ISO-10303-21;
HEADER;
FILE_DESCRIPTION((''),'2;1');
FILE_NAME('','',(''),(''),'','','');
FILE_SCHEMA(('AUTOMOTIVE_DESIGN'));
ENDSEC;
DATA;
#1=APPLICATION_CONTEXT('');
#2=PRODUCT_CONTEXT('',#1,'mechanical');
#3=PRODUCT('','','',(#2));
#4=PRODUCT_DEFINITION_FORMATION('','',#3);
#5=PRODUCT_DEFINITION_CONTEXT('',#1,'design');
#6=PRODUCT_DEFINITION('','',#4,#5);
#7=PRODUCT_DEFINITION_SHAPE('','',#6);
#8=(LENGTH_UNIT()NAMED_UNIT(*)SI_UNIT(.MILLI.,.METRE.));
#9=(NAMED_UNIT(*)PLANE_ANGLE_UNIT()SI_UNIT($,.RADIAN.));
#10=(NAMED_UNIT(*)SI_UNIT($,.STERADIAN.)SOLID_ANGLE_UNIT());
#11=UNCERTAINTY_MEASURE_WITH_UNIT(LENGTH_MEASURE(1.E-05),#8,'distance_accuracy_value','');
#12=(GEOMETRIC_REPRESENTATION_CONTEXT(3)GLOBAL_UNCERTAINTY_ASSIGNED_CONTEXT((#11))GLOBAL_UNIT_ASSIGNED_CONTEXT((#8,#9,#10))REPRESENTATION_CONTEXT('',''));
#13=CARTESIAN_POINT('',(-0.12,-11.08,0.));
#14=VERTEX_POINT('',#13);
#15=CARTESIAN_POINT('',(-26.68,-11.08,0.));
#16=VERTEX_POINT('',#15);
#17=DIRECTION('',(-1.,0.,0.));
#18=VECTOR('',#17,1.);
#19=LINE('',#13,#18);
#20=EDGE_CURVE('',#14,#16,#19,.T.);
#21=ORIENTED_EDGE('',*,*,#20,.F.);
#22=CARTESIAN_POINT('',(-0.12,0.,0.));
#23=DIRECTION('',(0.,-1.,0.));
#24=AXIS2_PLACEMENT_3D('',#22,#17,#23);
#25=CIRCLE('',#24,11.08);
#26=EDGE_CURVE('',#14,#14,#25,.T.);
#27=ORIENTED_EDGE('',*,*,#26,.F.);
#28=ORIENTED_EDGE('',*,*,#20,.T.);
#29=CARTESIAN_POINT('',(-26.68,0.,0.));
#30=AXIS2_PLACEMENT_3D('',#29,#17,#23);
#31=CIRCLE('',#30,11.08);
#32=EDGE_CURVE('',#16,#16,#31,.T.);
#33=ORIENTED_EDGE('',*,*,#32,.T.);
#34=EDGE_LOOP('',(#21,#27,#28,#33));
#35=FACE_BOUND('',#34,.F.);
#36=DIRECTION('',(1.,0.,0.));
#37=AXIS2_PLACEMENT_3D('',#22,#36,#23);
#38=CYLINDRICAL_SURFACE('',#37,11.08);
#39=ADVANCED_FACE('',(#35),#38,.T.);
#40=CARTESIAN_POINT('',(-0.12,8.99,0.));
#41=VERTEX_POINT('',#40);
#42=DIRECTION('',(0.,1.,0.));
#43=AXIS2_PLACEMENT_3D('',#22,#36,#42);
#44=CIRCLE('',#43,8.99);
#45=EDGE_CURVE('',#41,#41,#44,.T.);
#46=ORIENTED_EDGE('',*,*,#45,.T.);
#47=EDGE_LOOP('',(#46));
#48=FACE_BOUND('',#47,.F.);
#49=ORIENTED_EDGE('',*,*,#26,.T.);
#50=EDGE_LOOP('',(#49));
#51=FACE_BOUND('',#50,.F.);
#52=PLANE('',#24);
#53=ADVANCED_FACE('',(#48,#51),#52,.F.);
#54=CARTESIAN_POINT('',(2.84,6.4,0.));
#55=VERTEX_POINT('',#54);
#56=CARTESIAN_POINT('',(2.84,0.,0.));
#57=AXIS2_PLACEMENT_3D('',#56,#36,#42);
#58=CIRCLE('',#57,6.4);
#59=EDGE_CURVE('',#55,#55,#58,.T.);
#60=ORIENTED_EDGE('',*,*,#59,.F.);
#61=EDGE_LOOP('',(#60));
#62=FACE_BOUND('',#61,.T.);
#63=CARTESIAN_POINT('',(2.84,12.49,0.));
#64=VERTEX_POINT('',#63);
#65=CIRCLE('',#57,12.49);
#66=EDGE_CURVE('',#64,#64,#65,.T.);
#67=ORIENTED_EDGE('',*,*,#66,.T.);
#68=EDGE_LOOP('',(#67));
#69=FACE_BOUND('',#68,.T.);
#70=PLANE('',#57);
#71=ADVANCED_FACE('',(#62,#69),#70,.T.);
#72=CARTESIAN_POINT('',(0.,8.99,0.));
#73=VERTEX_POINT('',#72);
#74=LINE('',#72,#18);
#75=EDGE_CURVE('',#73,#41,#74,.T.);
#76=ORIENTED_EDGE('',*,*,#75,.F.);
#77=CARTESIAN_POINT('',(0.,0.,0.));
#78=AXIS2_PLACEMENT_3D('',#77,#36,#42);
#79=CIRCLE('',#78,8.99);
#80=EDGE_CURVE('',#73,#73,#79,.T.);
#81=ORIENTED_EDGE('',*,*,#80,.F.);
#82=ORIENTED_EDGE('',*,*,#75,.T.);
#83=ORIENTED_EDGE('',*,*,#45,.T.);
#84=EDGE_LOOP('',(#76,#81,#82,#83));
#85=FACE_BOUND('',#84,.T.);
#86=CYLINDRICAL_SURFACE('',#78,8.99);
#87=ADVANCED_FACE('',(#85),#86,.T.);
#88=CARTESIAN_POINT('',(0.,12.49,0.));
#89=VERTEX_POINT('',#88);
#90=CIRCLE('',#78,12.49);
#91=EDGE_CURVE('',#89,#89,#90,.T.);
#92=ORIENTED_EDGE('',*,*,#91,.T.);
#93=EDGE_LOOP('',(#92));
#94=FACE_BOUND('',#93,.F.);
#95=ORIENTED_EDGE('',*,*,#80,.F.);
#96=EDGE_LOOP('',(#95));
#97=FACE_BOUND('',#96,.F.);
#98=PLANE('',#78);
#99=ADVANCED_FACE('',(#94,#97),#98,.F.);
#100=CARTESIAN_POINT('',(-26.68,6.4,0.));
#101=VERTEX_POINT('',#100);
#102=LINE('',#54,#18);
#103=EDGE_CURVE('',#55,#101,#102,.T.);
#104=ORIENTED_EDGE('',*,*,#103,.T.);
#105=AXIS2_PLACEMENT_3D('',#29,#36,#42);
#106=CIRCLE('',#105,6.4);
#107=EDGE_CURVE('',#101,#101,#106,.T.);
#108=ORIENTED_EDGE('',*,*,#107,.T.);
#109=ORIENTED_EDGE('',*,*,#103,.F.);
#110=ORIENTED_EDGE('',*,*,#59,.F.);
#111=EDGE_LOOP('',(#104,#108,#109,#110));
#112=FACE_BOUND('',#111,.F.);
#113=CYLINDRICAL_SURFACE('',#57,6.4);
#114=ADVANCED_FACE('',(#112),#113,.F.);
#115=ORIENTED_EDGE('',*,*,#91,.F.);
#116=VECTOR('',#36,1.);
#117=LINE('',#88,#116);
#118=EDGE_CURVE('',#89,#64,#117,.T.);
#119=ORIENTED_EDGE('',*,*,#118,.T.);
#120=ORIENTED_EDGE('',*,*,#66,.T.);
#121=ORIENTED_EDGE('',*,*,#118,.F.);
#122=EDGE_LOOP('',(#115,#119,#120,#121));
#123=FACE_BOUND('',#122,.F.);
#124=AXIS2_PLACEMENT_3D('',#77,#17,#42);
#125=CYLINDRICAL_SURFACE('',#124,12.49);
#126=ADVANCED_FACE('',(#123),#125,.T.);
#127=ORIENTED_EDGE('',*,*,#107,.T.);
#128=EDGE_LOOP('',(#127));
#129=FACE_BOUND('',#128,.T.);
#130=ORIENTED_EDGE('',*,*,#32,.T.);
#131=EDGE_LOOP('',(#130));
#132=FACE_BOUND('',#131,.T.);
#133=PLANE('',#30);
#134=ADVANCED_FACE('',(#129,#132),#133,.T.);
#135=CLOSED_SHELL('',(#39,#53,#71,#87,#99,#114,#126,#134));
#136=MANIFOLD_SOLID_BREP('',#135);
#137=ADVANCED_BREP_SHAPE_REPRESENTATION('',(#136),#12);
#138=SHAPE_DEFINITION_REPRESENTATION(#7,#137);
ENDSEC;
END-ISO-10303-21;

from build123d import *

# Parameters (mm, degrees)
F0_R     = 12.49
F1_DEPTH = 2.84
F2_R     = 8.99
F3_DEPTH = 0.12
F4_R     = 11.08
F5_DEPTH = 26.56
F6_R     = 6.4
F7_DEPTH = 29.56


with BuildPart() as f1:
    # F0 (on Right) → F1 (new body)
    with BuildSketch(Plane.YZ):
        Circle(F0_R)
    extrude(amount=F1_DEPTH)

    # F2 (on Right) → F3 (join)
    with BuildSketch(Plane.YZ):
        Circle(F2_R)
    extrude(amount=-F3_DEPTH)

    # F4 (on face) → F5 (join)
    with BuildSketch(Plane(origin=(-0.12, 0, 0), x_dir=(0, -1, 0), z_dir=(-1, 0, 0))):
        Circle(F4_R)
    extrude(amount=F5_DEPTH)

    # F6 (on face) → F7 (cut)
    with BuildSketch(Plane.YZ.offset(2.84)):
        Circle(F6_R)
    extrude(amount=-F7_DEPTH, mode=Mode.SUBTRACT)


solid = f1.part
